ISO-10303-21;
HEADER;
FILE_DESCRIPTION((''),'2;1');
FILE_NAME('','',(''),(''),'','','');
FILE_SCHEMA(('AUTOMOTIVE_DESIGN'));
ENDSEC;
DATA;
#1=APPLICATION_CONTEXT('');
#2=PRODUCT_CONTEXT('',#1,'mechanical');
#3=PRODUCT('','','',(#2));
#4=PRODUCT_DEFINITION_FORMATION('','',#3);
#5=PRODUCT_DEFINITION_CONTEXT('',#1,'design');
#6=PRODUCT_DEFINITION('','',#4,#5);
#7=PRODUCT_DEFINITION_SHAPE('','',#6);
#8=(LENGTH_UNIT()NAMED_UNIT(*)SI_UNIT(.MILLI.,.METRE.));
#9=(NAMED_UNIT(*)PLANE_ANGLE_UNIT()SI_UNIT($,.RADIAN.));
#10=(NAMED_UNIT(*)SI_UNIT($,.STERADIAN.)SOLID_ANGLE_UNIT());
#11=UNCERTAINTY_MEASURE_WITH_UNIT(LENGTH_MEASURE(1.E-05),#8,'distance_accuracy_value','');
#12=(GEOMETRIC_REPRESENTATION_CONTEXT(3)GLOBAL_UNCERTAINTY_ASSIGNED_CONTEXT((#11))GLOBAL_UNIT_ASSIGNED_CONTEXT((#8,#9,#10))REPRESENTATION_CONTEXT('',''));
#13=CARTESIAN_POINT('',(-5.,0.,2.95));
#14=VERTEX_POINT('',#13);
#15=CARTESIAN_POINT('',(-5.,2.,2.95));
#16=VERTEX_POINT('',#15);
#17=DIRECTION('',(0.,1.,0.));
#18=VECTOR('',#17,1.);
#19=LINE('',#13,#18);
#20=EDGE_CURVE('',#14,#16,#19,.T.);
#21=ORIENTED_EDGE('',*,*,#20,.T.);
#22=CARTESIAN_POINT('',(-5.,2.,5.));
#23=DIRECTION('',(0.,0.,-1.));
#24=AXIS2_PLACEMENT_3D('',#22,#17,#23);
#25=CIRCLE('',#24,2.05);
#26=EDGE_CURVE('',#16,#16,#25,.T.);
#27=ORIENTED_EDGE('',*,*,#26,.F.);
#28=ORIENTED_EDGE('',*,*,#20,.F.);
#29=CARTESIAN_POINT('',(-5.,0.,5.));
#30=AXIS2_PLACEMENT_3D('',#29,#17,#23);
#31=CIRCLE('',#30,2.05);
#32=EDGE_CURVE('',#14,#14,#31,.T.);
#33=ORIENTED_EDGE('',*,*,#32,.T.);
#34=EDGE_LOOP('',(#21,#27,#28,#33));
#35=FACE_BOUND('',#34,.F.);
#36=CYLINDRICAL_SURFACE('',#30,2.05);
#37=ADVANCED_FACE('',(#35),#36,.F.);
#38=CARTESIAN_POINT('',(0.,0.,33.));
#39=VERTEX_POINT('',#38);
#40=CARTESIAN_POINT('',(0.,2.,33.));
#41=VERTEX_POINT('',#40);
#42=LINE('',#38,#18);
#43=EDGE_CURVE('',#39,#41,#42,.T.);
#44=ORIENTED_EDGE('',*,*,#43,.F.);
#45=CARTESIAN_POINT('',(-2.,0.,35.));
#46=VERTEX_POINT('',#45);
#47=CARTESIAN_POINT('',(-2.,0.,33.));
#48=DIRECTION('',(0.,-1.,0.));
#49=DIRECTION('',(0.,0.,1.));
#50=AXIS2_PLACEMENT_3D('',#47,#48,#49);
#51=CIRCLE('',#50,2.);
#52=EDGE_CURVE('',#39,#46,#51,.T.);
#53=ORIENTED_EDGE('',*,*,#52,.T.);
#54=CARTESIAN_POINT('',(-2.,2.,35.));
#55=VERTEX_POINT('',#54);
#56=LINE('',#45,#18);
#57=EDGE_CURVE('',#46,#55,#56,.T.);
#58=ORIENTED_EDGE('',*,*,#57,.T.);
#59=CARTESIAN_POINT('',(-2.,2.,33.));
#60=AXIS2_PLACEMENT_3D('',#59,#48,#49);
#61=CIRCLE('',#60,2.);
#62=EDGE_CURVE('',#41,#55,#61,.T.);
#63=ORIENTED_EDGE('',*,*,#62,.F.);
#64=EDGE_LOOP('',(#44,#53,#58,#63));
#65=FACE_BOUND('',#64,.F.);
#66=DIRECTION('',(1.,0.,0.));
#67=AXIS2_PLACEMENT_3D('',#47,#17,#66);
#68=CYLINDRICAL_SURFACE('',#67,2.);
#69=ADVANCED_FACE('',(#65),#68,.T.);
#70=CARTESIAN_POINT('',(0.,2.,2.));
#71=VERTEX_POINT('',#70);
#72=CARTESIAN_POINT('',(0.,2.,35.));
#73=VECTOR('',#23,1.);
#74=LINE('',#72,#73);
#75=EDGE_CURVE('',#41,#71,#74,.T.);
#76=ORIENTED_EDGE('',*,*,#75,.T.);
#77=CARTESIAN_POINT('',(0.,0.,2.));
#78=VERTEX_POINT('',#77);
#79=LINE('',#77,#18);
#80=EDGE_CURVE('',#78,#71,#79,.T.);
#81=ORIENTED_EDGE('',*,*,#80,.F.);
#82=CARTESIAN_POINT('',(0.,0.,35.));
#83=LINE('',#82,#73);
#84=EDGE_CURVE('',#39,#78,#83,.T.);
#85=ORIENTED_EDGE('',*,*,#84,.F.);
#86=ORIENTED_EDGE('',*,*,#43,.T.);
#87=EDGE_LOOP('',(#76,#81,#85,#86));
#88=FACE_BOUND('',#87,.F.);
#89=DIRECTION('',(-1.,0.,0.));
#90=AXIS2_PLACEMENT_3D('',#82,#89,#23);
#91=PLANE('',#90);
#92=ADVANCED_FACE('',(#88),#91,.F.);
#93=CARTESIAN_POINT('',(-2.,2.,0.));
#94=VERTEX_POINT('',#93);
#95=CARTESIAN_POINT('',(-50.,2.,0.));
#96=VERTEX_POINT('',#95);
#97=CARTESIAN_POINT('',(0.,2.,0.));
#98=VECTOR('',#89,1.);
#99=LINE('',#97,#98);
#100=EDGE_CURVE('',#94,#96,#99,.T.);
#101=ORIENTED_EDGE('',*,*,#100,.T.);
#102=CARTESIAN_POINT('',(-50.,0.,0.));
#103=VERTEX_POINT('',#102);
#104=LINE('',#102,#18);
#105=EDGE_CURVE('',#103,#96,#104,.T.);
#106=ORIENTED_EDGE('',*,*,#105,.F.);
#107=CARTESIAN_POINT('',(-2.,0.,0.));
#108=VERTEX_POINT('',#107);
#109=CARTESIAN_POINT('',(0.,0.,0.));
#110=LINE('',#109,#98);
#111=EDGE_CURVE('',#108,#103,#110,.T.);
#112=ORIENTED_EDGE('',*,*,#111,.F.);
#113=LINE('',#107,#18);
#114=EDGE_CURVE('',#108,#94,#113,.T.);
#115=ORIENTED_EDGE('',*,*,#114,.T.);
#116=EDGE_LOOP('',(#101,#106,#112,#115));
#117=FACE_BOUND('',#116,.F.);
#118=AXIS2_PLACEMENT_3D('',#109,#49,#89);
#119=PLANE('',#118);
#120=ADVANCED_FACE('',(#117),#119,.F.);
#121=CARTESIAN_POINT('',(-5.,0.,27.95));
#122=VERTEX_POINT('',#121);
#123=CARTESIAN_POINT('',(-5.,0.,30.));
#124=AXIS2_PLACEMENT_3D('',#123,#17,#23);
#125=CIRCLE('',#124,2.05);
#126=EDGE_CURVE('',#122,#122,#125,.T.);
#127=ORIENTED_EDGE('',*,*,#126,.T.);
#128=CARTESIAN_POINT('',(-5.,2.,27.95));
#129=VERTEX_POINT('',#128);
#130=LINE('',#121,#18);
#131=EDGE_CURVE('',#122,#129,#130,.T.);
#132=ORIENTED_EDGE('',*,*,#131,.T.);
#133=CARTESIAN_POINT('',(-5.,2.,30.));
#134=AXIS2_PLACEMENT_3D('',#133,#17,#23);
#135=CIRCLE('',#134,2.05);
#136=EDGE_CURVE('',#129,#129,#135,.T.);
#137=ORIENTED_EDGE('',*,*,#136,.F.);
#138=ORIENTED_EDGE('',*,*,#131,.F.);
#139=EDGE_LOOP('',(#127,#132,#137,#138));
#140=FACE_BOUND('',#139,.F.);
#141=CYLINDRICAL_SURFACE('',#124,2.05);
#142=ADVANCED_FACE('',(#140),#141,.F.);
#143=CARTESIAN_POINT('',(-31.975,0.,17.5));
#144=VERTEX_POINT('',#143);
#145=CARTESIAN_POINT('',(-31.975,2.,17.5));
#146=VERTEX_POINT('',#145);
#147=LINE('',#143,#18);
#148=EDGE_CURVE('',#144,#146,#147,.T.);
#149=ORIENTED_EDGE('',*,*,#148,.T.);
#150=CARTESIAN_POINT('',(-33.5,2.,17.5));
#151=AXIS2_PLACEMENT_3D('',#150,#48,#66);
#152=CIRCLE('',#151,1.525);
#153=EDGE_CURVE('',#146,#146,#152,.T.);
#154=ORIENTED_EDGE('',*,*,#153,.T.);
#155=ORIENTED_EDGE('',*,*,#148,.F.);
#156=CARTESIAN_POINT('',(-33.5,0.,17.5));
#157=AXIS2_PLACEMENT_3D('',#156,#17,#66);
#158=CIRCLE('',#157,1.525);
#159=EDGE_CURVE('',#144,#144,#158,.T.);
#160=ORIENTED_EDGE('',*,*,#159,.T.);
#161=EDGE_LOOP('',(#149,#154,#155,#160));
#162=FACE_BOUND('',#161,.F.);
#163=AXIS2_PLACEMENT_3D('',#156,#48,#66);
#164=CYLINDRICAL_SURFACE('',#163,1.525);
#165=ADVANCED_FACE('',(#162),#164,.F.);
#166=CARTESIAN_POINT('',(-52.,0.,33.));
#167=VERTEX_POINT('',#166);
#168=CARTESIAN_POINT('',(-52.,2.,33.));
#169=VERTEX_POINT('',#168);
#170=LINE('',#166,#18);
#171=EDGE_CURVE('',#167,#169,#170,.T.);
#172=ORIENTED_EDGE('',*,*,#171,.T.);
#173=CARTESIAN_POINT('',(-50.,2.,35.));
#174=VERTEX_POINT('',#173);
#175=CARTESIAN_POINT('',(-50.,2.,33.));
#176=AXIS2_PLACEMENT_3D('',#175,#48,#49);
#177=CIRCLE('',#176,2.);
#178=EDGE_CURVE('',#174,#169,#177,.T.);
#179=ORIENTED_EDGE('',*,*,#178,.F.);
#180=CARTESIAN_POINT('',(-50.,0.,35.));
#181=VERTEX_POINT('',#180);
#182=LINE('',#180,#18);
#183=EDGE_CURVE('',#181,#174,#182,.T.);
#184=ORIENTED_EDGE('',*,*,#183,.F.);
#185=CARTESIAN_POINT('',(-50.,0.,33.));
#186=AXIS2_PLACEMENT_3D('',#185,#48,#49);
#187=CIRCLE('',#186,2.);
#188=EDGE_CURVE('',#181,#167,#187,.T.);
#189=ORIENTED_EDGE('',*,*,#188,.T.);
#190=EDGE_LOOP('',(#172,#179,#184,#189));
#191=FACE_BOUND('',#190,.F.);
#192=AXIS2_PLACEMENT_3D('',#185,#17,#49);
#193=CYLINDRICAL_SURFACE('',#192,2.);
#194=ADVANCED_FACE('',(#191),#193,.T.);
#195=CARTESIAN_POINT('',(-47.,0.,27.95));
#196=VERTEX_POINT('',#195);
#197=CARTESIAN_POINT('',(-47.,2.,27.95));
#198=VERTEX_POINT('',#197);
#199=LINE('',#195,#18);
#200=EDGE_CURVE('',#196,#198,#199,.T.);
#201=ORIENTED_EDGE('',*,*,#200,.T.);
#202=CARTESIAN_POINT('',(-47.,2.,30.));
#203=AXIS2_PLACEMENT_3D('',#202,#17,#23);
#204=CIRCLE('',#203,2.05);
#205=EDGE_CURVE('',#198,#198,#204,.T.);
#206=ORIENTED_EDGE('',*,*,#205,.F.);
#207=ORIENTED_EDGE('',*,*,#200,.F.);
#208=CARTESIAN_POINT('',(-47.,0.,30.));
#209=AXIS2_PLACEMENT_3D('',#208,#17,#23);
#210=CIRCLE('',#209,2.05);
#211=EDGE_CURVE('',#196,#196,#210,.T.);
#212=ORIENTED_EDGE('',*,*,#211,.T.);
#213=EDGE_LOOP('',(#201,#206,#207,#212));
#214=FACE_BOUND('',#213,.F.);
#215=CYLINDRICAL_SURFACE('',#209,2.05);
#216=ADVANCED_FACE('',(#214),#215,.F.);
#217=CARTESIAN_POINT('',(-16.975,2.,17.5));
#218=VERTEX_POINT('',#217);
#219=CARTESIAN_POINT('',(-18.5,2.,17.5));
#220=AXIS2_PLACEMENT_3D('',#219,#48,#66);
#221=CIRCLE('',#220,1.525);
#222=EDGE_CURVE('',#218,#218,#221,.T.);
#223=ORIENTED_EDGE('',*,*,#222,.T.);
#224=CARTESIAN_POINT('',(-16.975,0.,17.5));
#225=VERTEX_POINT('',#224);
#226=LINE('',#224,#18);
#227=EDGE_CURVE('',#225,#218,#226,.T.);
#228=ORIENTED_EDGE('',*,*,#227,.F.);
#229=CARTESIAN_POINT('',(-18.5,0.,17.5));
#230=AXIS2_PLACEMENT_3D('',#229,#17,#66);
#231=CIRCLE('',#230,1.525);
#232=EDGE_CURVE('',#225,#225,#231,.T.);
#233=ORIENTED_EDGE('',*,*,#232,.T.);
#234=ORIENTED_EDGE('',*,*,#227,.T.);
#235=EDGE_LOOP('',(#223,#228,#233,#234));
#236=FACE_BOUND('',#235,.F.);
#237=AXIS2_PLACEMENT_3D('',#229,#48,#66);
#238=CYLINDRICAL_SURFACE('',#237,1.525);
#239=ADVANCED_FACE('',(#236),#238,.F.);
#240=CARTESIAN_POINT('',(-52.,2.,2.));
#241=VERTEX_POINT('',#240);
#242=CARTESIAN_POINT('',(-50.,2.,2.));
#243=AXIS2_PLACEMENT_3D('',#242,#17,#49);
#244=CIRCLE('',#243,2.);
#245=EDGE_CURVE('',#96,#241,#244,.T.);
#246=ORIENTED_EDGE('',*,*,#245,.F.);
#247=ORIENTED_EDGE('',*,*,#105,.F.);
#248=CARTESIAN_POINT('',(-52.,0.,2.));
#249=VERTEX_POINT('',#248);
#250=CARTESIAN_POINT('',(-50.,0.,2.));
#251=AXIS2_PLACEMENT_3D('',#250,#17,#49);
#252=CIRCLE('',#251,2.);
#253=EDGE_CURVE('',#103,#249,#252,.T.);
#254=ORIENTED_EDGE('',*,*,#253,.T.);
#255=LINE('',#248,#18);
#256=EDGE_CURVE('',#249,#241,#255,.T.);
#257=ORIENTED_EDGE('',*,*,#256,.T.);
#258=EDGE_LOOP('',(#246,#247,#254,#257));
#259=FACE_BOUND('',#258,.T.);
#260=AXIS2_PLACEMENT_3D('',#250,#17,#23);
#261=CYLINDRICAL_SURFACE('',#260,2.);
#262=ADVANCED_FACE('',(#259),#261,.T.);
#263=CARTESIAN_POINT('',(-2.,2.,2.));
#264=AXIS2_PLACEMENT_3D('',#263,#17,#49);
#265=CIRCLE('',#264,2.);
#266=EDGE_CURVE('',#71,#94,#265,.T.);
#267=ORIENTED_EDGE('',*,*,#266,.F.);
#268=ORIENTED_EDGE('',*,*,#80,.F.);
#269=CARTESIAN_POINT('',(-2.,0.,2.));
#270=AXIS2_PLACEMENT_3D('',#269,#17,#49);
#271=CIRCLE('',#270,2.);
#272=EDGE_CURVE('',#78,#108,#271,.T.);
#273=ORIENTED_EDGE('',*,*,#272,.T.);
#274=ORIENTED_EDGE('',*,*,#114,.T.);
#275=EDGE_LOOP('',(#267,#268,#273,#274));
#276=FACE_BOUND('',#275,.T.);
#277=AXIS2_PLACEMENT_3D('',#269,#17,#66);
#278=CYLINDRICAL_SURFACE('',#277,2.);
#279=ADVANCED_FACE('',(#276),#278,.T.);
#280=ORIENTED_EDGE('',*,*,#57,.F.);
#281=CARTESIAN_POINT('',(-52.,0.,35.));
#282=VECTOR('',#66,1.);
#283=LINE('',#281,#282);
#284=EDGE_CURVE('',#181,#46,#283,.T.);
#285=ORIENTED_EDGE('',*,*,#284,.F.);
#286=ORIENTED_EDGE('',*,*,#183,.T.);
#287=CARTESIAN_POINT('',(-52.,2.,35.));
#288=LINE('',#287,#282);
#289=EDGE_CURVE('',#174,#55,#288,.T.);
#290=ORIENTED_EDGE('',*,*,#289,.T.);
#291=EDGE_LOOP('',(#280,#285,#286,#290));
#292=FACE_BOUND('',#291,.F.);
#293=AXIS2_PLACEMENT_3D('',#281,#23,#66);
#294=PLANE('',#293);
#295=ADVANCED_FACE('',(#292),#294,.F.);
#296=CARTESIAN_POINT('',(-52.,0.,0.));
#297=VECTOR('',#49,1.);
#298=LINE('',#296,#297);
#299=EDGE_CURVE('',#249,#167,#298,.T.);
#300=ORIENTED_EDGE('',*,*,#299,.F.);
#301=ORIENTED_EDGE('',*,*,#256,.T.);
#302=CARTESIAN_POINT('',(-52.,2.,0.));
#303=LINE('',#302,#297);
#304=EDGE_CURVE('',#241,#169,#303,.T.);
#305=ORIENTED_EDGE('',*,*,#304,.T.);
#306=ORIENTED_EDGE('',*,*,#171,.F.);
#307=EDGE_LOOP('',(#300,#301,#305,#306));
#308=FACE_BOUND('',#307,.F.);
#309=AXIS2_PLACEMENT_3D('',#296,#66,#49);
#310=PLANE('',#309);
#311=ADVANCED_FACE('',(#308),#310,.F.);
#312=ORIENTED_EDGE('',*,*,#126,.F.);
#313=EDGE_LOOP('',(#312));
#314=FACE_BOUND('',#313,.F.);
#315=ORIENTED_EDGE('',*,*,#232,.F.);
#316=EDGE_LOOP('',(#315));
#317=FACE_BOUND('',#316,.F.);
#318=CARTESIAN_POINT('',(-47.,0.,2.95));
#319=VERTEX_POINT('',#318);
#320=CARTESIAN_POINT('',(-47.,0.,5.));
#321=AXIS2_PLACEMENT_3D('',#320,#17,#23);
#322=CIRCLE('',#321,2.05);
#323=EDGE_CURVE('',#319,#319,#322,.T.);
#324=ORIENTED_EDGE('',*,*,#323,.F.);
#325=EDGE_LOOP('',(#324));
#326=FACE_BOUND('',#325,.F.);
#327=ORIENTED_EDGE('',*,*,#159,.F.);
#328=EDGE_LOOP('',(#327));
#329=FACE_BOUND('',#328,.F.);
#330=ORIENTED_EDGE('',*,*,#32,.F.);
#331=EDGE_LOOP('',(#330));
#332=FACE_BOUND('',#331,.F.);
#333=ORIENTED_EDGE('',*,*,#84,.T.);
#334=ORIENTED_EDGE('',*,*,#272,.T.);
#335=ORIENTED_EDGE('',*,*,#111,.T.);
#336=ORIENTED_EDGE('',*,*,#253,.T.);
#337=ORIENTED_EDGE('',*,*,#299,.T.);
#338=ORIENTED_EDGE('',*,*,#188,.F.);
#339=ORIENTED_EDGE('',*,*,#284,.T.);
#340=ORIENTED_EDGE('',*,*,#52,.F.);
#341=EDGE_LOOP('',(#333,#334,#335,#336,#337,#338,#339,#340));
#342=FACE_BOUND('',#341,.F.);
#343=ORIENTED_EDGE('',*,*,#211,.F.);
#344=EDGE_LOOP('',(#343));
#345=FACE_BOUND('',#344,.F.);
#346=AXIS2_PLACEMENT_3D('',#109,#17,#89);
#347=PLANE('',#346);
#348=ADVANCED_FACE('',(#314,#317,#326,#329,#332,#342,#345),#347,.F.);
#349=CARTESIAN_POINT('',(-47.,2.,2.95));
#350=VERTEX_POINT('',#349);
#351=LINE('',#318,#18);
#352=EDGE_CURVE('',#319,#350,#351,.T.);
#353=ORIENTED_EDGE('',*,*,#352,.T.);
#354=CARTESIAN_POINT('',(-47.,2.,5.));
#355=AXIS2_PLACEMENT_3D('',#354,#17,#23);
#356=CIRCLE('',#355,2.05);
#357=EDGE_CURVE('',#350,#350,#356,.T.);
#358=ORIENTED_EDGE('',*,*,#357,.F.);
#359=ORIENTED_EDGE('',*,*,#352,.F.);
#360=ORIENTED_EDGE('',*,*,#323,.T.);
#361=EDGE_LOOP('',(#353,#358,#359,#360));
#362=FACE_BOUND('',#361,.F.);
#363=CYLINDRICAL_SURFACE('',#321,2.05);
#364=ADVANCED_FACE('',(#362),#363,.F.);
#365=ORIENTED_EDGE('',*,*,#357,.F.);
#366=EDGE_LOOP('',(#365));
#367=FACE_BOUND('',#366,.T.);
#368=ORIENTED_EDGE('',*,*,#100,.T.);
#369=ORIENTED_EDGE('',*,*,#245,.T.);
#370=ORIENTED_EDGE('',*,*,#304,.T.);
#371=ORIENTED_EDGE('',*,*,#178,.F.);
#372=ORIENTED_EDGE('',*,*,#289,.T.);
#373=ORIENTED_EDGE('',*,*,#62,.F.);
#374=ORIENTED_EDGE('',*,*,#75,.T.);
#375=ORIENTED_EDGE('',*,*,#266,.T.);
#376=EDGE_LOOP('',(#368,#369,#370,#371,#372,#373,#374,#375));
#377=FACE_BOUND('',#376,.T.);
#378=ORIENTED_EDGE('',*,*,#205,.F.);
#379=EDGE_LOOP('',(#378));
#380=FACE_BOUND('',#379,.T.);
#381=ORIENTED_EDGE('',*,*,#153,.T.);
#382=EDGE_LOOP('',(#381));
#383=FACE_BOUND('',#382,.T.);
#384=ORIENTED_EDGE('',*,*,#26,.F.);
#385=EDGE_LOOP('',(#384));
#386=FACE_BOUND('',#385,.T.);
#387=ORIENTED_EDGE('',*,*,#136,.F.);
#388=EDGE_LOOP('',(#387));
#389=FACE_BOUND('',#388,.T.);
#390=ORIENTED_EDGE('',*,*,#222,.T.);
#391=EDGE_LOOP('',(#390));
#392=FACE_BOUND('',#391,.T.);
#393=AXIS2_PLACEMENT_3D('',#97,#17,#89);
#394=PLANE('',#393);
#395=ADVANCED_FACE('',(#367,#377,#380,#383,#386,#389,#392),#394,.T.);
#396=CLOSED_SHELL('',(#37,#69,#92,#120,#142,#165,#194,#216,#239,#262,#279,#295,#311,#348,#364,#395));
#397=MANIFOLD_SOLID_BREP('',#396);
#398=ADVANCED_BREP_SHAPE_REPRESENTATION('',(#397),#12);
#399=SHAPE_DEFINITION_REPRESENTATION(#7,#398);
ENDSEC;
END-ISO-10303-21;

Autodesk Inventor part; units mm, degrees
ref_plane "YZ Plane" through (0, 0, 0) normal (1, 0, 0) x (0, 1, 0)
ref_plane "XZ Plane" through (0, 0, 0) normal (0, 1, 0) x (-1, 0, 0)
ref_plane "XY Plane" through (0, 0, 0) normal (0, 0, 1) x (1, 0, 0)
sketch "Skizze2" plane through (0, 0, 0) normal (0, 1, 0) x (-1, 0, 0)
  line L0 (0, 0) -> (52, 0)
  line L1 (52, 0) -> (52, 35)
  line L2 (52, 35) -> (0, 35)
  line L3 (0, 35) -> (0, 0)
  dimension "d3" = 52
  dimension "d4" = 35
extrude "Extrusion1" add sketch "Skizze2" along normal blind 2
sketch "Skizze3" plane through (0, 0, 0) normal (0, -1, 0) x (1, 0, 0)
  line L0 (0, 35) -> (0, 0) projected
  line L1 (-52, 0) -> (-52, 35) projected
  line L2 (-52, 17.5) -> (0, 17.5)
  line L3 (-33.5, 17.5) -> (-18.5, 17.5)
  line L4 (-33.5, 17.5) -> (-52, 17.5)
  line L5 (-18.5, 17.5) -> (0, 17.5)
  circle A0 centre (-33.5, 17.5) radius 1.525
  circle A1 centre (-18.5, 17.5) radius 1.525
  dimension "d7" = 15
  dimension "d8" = 3.05
  dimension "d9" = 3.05
extrude "Extrusion2" cut sketch "Skizze3" against normal through all
sketch "Skizze6" plane through (0, 0, 0) normal (0, -1, 0) x (1, 0, 0)
  line L0 (0, 0) -> (-52, 0) projected
  line L1 (0, 35) -> (0, 0) projected
  line L2 (-52, 35) -> (0, 35) projected
  line L3 (-52, 0) -> (-52, 35) projected
  line L4 (-47, 30) -> (-5, 30)
  line L5 (-5, 30) -> (-5, 5)
  line L6 (-5, 5) -> (-47, 5)
  line L7 (-47, 5) -> (-47, 30)
  dimension "d17" = 5
  dimension "d18" = 5
  dimension "d19" = 5
  dimension "d20" = 5
hole "Bohrung1" at (-5, 0, 5) at (-5, 0, 30) at (-47, 0, 30) at (-47, 0, 5) direction (0, 1, 0) diameter 4.1 end through all
fillet "Rundung2" radius 2 4 edges at (-52, 1, 35) (-52, 1, 0) (0, 1, 0) (0, 1, 35)
properties part number "frontcncld"
